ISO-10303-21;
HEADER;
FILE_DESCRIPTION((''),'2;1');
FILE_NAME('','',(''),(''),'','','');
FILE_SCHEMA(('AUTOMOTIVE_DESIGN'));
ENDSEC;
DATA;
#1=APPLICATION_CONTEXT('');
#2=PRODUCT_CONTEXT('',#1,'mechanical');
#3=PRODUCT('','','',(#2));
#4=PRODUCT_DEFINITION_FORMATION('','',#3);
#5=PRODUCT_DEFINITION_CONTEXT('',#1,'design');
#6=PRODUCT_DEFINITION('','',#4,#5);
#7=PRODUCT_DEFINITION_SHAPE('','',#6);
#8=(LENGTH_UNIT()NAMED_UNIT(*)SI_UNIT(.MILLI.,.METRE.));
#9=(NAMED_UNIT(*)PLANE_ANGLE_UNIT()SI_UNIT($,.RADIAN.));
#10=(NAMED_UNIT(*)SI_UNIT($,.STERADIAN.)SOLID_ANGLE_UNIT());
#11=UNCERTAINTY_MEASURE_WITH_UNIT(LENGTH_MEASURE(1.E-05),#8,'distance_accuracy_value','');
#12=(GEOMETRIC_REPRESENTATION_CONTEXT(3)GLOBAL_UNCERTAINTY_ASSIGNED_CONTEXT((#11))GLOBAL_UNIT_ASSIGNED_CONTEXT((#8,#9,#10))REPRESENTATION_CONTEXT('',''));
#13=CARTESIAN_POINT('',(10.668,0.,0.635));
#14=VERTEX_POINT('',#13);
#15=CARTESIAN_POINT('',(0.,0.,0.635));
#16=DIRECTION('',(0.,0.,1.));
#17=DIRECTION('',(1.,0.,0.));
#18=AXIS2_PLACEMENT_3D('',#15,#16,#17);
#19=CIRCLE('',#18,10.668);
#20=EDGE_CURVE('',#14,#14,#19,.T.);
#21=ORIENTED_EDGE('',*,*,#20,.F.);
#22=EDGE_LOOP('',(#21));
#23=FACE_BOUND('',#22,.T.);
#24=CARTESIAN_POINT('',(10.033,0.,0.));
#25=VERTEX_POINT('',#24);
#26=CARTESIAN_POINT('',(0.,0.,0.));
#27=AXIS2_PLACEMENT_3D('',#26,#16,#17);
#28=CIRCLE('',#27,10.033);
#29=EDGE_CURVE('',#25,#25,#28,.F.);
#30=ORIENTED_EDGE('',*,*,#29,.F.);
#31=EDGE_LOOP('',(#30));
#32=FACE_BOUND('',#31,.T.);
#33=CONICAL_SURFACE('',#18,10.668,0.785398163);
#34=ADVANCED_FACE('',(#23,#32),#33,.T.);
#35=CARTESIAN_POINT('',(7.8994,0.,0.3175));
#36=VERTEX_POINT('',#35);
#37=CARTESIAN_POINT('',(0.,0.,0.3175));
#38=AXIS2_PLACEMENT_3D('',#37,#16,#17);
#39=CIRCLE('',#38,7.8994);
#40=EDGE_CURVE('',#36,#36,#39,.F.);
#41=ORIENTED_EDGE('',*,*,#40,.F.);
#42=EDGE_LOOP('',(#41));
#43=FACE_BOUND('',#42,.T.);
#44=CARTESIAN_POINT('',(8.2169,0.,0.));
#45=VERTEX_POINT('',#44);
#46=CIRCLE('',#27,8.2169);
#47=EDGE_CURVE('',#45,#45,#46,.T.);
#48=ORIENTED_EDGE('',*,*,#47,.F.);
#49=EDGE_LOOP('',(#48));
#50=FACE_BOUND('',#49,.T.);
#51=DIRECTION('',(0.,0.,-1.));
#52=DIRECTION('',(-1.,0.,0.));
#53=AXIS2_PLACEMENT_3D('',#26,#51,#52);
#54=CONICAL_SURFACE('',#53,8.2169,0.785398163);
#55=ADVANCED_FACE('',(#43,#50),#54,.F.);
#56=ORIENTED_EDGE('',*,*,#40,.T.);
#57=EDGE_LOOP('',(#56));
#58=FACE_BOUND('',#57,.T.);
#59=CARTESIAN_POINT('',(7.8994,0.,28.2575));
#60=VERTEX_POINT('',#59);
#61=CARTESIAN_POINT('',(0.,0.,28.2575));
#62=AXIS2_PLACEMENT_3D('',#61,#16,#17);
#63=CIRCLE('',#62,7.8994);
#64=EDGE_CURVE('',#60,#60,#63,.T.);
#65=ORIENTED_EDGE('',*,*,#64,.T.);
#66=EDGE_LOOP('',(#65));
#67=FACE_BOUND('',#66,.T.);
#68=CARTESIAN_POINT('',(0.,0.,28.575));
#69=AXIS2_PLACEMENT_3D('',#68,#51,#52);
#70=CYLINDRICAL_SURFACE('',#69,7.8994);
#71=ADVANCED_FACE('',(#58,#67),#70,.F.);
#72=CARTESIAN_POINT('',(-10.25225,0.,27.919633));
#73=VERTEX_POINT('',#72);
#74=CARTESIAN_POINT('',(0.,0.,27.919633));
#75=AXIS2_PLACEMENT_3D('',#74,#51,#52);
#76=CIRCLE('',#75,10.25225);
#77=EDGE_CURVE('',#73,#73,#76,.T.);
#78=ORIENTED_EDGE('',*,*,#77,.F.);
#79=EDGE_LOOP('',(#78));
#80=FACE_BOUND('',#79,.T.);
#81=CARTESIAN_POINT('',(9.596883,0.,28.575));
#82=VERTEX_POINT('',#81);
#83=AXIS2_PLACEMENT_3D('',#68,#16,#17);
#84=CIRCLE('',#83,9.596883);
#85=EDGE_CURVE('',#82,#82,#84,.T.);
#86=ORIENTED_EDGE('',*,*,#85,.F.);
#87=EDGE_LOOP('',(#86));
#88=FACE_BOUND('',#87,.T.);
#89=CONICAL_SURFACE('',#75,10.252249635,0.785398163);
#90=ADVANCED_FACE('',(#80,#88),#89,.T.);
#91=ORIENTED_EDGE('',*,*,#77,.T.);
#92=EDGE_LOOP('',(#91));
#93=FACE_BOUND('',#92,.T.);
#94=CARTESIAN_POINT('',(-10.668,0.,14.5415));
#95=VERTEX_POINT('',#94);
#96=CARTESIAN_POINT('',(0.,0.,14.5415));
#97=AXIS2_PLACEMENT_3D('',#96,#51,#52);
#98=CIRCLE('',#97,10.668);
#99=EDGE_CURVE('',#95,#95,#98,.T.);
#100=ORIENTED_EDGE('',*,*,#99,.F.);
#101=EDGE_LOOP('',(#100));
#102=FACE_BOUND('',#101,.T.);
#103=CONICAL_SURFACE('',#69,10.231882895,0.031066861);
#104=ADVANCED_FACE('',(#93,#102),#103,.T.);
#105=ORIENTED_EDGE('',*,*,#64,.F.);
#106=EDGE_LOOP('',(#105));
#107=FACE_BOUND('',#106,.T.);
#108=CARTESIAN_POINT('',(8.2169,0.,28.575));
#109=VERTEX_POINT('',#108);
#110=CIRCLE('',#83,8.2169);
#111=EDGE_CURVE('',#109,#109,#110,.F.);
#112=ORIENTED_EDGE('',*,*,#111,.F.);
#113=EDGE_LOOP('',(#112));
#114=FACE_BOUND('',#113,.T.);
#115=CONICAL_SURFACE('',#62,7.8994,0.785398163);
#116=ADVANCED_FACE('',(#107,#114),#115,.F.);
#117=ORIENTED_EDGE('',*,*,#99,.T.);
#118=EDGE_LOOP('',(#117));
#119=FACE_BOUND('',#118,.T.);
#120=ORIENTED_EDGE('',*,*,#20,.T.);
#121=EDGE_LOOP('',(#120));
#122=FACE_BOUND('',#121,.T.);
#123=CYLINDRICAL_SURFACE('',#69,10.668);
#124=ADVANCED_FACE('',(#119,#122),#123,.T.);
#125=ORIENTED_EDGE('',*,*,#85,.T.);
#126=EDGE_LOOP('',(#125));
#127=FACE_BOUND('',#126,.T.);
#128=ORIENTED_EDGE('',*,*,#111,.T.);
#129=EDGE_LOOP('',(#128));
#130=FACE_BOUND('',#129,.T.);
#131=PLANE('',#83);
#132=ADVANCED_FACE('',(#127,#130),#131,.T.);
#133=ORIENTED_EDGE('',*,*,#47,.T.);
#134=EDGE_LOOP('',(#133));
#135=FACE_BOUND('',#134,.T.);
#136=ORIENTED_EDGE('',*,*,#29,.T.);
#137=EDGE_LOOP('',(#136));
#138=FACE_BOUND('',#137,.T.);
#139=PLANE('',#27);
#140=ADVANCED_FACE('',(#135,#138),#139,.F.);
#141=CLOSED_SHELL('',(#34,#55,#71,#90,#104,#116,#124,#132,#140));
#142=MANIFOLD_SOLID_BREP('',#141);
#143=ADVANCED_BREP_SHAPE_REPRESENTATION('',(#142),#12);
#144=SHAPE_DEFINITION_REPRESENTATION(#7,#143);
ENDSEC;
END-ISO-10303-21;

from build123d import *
from OCP.BRepFilletAPI import BRepFilletAPI_MakeChamfer

# Parameters (mm, degrees)
PIPESKETCH_R    = 10.668
PIPESKETCH_R_2  = 7.8994
EXTRUSION_DEPTH = 28.575
CHAMFER1_SIZE   = 0.635
CHAMFER1_SIZE2  = 0.655683131
CHAMFER2_SIZE   = 0.3175


with BuildPart() as part:
    # PipeSketch → Extrusion (new body)
    with BuildSketch(Plane.XY):
        Circle(PIPESKETCH_R)
        Circle(PIPESKETCH_R_2, mode=Mode.SUBTRACT)
    extrude(amount=EXTRUSION_DEPTH)

    # Sketch3 → Cut-Revolve1 (revolve, cut)
    with BuildSketch(Plane(origin=(0, 0, 0), x_dir=(0, 0, -1), z_dir=(1, 0, 0))):
        Polygon((-28.575, 10.668), (-28.575, 10.231882895), (-14.5415, 10.668), align=None)
    revolve(axis=Axis((0, 0, 0), (0, 0, 1)), mode=Mode.SUBTRACT)

    # Chamfer1: one chamfer whose edges measure the first distance from different faces: ONE call of the kernel's chamfer builder (chamfer() names one face for all edges)
    chamfer1_edges_1 = [part.edges().sort_by_distance(p)[0] for p in [
        (-10.668, 0, 0),
    ]]
    chamfer1_edges_2 = [part.edges().sort_by_distance(p)[0] for p in [
        (0, -10.231882895, 28.575),
    ]]
    chamfer1_side_2 = [part.faces().sort_by_distance(p)[0] for p in [
        (0, -9.942481544, 28.575),
    ]]
    chamfer1 = BRepFilletAPI_MakeChamfer(part.part.solid().wrapped)
    for e in chamfer1_edges_1:
        chamfer1.Add(CHAMFER1_SIZE, e.wrapped)
    for e in chamfer1_edges_2:
        chamfer1.Add(CHAMFER1_SIZE, CHAMFER1_SIZE2, e.wrapped, chamfer1_side_2[0].wrapped)  # the first distance lies on this face
    add(Compound.cast(chamfer1.Shape()), mode=Mode.REPLACE)

    # Chamfer2
    chamfer2_edges = [part.edges().sort_by_distance(p)[0] for p in [
        (-7.8994, 0, 28.575),
        (-7.8994, 0, 0),
    ]]
    chamfer(chamfer2_edges, length=CHAMFER2_SIZE)


solid = part.part
